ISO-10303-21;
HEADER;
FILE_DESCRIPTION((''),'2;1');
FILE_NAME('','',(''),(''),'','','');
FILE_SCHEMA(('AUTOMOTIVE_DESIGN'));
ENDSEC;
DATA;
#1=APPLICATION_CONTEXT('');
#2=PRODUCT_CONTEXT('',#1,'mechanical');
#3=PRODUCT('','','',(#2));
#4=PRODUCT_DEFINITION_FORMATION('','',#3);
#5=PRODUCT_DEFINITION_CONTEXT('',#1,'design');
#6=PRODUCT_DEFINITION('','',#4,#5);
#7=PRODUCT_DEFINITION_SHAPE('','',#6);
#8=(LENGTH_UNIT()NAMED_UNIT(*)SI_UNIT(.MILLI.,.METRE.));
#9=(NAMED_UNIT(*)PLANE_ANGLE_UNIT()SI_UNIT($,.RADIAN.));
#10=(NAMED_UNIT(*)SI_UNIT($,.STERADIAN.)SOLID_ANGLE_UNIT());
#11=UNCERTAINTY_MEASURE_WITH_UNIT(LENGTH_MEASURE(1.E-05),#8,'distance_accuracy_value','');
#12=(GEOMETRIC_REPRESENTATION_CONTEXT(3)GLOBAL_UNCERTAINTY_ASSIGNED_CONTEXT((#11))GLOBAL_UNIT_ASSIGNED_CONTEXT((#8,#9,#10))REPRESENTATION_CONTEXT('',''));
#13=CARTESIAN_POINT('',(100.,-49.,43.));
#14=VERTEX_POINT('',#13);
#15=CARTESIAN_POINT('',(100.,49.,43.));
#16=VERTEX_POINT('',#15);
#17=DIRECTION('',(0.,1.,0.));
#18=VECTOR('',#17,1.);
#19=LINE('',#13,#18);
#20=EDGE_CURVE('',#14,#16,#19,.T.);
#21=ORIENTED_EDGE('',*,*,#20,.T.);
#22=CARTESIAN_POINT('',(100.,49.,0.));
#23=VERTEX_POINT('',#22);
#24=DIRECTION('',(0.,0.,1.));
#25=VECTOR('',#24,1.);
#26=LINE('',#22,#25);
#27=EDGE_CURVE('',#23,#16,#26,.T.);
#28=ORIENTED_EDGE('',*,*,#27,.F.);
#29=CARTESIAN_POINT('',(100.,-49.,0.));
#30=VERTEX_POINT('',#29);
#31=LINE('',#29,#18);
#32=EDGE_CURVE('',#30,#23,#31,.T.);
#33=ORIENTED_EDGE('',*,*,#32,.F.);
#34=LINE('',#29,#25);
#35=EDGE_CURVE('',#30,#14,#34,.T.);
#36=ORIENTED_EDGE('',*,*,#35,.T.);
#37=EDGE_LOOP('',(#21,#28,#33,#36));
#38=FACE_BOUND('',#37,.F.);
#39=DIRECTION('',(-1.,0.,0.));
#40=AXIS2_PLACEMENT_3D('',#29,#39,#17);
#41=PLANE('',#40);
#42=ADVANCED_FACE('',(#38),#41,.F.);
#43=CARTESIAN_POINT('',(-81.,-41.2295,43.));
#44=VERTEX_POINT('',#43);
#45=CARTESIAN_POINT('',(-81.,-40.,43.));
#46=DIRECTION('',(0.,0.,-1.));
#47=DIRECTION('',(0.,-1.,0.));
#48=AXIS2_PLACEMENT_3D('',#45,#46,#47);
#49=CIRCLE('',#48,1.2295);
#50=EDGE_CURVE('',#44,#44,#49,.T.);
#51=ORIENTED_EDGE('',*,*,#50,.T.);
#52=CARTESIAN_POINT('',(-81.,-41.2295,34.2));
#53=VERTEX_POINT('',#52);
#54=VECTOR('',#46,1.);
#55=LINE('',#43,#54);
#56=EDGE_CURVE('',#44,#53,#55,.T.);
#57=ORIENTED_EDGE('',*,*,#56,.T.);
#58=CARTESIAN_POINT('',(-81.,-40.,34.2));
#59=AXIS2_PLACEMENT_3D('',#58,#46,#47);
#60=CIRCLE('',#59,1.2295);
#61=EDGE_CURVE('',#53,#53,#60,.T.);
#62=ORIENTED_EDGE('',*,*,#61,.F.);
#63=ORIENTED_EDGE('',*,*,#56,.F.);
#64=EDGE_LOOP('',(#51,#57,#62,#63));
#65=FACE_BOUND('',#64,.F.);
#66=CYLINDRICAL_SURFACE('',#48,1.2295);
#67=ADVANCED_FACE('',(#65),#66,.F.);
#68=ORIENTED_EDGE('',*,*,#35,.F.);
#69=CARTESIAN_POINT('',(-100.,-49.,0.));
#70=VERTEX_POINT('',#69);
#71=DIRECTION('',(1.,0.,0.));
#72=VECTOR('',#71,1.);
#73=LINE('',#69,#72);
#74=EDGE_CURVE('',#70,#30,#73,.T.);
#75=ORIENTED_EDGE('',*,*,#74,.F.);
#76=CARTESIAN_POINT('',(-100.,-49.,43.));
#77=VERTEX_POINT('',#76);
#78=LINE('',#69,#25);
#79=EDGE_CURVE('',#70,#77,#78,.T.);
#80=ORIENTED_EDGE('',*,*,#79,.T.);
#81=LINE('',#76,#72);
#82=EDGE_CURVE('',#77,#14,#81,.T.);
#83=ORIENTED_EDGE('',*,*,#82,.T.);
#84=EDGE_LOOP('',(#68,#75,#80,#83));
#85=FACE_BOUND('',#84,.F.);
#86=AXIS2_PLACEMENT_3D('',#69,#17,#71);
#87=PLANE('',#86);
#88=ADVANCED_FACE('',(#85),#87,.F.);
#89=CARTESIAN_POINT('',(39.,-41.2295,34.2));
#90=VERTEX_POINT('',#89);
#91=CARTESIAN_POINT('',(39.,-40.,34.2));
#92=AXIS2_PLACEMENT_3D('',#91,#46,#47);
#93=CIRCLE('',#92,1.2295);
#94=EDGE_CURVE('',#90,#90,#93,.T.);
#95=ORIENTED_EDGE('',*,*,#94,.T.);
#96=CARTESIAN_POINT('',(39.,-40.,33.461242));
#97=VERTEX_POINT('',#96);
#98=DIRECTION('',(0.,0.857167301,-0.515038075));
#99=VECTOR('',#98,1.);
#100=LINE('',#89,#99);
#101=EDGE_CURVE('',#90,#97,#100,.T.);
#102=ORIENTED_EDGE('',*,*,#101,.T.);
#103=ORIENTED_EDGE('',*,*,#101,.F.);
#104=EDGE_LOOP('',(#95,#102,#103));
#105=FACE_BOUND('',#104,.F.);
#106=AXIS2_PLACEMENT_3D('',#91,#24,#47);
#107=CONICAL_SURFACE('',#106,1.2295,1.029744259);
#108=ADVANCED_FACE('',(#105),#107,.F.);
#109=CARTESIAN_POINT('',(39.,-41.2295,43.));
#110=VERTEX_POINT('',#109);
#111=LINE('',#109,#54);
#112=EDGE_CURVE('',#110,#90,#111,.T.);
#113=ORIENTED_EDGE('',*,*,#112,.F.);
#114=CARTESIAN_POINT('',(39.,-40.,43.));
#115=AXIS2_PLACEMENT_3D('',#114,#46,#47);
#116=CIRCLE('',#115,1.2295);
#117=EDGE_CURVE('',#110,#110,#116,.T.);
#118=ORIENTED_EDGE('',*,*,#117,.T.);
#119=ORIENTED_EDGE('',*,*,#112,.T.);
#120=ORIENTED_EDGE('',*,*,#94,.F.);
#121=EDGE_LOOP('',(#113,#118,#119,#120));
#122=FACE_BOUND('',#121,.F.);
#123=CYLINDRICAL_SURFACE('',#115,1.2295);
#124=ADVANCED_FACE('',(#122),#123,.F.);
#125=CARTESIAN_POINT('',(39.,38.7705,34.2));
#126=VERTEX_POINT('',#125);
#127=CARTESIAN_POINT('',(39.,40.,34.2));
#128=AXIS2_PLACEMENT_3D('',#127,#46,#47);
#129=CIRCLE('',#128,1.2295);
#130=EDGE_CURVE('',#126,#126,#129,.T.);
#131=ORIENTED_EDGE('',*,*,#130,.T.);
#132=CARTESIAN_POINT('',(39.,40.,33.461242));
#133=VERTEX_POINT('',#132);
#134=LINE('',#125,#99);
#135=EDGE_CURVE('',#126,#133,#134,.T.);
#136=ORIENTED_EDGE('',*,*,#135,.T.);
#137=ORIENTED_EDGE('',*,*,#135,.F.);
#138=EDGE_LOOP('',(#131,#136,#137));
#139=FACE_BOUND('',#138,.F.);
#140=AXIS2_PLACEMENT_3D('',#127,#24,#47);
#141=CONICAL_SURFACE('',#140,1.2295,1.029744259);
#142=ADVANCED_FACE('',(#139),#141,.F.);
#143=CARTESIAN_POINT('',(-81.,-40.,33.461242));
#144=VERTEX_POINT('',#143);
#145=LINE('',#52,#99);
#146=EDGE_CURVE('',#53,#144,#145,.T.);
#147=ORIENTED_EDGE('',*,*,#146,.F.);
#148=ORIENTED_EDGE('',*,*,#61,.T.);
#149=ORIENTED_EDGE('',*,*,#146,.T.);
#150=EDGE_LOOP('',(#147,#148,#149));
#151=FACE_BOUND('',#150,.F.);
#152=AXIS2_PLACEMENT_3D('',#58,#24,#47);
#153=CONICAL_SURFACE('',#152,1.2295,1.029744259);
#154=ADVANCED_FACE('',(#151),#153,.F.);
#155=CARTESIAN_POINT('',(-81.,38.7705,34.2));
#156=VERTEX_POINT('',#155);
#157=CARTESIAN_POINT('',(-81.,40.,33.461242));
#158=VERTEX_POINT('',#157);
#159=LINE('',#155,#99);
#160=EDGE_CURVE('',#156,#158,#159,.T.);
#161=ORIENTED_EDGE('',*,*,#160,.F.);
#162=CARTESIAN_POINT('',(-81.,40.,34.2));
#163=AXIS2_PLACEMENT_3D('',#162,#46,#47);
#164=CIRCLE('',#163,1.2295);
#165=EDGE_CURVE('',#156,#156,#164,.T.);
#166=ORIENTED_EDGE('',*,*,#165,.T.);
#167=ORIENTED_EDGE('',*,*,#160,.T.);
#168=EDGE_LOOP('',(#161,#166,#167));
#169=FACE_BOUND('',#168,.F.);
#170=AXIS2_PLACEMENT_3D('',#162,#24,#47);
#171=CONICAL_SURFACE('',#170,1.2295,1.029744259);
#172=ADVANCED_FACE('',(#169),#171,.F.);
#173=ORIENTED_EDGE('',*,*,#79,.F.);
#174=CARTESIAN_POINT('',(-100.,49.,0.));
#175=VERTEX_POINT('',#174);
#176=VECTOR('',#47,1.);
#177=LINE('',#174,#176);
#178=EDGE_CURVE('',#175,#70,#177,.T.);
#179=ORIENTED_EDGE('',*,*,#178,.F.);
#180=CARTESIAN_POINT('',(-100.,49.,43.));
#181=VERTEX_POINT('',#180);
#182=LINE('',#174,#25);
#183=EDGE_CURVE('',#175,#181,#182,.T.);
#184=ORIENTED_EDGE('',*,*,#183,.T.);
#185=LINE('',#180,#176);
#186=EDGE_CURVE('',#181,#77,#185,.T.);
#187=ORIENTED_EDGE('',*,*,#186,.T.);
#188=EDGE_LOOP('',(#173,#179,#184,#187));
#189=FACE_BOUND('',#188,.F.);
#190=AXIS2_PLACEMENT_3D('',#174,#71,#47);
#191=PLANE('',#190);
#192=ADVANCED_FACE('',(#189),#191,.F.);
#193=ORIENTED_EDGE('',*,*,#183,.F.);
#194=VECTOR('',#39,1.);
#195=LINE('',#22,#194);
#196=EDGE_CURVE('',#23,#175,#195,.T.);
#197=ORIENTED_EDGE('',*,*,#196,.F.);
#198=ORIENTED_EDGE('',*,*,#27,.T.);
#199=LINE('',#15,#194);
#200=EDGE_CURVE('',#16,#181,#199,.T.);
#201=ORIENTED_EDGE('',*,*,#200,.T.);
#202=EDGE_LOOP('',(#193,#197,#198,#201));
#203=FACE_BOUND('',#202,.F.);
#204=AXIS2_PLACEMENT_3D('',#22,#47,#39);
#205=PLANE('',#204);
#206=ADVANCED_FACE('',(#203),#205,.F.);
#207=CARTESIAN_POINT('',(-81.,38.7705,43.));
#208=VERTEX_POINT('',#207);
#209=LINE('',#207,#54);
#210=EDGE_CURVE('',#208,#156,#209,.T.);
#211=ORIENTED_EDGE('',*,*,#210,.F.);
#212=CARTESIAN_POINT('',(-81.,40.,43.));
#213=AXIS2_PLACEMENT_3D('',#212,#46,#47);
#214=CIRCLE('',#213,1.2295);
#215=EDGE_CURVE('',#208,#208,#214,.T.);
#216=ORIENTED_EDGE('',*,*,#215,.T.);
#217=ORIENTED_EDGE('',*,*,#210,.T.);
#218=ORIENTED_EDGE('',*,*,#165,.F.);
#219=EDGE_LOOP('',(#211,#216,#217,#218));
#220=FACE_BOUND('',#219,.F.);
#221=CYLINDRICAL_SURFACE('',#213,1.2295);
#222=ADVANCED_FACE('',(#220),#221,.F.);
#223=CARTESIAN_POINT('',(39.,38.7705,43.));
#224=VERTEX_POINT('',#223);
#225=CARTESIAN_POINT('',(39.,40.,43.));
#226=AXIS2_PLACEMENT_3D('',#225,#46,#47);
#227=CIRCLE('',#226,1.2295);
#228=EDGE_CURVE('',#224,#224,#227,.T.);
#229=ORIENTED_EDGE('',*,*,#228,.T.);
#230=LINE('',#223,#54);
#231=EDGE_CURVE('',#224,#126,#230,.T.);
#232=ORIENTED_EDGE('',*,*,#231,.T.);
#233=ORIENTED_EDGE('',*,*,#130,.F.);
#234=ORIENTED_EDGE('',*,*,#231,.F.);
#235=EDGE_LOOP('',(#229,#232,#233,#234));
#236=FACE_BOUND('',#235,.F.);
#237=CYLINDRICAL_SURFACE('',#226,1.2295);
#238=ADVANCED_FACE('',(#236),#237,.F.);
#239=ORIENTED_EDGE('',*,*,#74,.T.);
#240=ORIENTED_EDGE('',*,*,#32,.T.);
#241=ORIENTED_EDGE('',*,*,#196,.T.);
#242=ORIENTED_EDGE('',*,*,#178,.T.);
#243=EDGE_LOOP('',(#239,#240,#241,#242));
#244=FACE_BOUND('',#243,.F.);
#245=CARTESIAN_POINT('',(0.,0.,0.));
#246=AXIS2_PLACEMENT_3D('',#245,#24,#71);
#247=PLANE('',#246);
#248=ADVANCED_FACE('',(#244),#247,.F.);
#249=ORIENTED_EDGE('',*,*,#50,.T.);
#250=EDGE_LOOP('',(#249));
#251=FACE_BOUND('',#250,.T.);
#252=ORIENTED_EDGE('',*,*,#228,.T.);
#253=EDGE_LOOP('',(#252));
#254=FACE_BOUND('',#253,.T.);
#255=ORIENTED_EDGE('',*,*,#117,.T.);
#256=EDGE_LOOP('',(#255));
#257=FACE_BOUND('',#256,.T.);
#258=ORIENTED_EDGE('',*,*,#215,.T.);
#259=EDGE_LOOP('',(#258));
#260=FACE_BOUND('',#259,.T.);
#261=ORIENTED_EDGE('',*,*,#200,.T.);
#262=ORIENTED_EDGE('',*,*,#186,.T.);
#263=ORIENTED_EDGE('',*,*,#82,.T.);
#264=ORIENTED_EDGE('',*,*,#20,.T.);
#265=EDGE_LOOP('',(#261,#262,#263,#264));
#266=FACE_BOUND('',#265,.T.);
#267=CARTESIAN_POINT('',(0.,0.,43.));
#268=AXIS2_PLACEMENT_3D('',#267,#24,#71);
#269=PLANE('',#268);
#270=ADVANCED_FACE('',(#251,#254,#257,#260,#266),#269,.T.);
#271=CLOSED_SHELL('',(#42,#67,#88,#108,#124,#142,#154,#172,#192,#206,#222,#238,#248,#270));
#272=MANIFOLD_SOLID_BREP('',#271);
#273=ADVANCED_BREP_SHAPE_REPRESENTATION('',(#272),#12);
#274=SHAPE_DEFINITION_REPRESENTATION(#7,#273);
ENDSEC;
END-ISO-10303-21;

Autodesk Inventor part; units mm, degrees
ref_plane "YZ Plane" through (0, 0, 0) normal (1, 0, 0) x (0, 1, 0)
ref_plane "XZ Plane" through (0, 0, 0) normal (0, 1, 0) x (-1, 0, 0)
ref_plane "XY Plane" through (0, 0, 0) normal (0, 0, 1) x (1, 0, 0)
sketch "Sketch1" plane through (0, 0, 0) normal (0, 0, 1) x (1, 0, 0)
  line L0 (-100, -49) -> (100, -49)
  line L1 (100, -49) -> (100, 49)
  line L2 (100, 49) -> (-100, 49)
  line L3 (-100, 49) -> (-100, -49)
  line L4 (-100, -49) -> (100, 49) construction
  line L5 (100, -49) -> (-100, 49) construction
  point P0 (0, 0)
  dimension "d0" = 200
  dimension "d1" = 98
extrude "Extrusion1" add sketch "Sketch1" along normal blind 43
sketch "Sketch2" plane through (0, 0, 43) normal (0, 0, 1) x (1, 0, 0)
  line L0 (-81, 40) -> (39, 40) construction
  line L1 (39, 40) -> (39, -40) construction
  line L2 (39, -40) -> (-81, -40) construction
  line L3 (-81, -40) -> (-81, 40) construction
  line L4 (-100, 49) -> (-100, -49) projected
  point P0 (0, 0)
  point P1 (39, 0)
  dimension "d4" = 120
  dimension "d5" = 80
  dimension "d6" = 19
hole "Hole1" at (-81, 40, 43) at (-81, -40, 43) at (39, 40, 43) at (39, -40, 43) direction (0, 0, -1) diameter 2.459 depth 8.8 tip angle 118 thread size "M3x0.5" class "6H" standard "ISO Metric profile"
properties part number "Power_Supply_S_90_18" material "Aluminum 6061"
